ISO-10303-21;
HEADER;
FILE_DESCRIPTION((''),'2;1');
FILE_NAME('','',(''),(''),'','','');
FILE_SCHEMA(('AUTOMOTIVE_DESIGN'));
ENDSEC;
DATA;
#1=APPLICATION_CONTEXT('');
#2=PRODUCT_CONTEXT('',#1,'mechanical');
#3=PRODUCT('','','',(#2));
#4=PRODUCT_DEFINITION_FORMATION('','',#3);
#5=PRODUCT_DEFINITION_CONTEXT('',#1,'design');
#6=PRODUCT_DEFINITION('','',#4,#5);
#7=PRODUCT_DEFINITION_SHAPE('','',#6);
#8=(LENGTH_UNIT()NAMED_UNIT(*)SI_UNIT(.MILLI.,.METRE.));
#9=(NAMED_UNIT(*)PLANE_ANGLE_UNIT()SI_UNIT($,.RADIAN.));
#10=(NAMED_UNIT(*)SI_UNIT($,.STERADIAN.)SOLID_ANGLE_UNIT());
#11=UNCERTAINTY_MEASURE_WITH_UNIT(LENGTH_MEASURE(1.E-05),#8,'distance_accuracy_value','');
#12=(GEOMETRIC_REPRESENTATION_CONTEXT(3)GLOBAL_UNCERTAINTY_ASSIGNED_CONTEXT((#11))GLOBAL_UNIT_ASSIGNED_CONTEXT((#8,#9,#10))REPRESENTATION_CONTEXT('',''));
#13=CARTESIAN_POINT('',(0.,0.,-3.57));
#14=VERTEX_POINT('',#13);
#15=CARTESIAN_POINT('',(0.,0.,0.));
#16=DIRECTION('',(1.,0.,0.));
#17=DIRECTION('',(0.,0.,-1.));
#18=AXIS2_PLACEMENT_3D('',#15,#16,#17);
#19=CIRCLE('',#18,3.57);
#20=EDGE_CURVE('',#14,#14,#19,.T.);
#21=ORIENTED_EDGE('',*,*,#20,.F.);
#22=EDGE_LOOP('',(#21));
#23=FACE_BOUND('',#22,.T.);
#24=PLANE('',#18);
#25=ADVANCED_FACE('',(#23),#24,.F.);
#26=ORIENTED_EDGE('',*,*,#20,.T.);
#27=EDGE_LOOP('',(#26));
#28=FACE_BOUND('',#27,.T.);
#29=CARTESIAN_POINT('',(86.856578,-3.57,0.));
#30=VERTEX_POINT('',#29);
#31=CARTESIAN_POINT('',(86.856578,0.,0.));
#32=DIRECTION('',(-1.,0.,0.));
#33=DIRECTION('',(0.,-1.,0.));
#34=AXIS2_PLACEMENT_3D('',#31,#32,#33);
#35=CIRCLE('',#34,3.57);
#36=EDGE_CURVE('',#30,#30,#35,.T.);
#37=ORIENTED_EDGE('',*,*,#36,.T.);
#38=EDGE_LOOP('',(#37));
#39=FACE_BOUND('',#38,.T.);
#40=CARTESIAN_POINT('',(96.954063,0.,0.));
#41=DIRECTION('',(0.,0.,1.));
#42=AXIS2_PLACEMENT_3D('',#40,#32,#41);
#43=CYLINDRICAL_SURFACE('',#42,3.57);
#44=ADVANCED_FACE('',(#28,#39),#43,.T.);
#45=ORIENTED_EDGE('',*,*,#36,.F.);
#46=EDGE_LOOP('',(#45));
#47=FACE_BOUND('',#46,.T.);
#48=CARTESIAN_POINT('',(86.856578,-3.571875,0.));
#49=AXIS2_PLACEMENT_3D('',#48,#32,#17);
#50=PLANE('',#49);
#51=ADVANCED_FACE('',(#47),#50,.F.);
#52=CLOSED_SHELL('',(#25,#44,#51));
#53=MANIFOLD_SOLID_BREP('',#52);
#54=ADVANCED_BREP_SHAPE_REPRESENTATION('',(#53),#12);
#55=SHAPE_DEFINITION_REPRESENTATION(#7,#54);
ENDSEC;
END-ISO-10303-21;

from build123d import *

# Parameters (mm, degrees)
SKETCH1_R           = 3.57
BOSS_EXTRUDE1_DEPTH = 86.856577766


with BuildPart() as part:
    # Sketch1 → Boss-Extrude1 (new body)
    with BuildSketch(Plane(origin=(0, 0, 0), x_dir=(0, 0, -1), z_dir=(1, 0, 0))):
        with Locations(Location((0, 0, 0), (0, 0, 270))):
            Circle(SKETCH1_R)
    extrude(amount=BOSS_EXTRUDE1_DEPTH)


solid = part.part
